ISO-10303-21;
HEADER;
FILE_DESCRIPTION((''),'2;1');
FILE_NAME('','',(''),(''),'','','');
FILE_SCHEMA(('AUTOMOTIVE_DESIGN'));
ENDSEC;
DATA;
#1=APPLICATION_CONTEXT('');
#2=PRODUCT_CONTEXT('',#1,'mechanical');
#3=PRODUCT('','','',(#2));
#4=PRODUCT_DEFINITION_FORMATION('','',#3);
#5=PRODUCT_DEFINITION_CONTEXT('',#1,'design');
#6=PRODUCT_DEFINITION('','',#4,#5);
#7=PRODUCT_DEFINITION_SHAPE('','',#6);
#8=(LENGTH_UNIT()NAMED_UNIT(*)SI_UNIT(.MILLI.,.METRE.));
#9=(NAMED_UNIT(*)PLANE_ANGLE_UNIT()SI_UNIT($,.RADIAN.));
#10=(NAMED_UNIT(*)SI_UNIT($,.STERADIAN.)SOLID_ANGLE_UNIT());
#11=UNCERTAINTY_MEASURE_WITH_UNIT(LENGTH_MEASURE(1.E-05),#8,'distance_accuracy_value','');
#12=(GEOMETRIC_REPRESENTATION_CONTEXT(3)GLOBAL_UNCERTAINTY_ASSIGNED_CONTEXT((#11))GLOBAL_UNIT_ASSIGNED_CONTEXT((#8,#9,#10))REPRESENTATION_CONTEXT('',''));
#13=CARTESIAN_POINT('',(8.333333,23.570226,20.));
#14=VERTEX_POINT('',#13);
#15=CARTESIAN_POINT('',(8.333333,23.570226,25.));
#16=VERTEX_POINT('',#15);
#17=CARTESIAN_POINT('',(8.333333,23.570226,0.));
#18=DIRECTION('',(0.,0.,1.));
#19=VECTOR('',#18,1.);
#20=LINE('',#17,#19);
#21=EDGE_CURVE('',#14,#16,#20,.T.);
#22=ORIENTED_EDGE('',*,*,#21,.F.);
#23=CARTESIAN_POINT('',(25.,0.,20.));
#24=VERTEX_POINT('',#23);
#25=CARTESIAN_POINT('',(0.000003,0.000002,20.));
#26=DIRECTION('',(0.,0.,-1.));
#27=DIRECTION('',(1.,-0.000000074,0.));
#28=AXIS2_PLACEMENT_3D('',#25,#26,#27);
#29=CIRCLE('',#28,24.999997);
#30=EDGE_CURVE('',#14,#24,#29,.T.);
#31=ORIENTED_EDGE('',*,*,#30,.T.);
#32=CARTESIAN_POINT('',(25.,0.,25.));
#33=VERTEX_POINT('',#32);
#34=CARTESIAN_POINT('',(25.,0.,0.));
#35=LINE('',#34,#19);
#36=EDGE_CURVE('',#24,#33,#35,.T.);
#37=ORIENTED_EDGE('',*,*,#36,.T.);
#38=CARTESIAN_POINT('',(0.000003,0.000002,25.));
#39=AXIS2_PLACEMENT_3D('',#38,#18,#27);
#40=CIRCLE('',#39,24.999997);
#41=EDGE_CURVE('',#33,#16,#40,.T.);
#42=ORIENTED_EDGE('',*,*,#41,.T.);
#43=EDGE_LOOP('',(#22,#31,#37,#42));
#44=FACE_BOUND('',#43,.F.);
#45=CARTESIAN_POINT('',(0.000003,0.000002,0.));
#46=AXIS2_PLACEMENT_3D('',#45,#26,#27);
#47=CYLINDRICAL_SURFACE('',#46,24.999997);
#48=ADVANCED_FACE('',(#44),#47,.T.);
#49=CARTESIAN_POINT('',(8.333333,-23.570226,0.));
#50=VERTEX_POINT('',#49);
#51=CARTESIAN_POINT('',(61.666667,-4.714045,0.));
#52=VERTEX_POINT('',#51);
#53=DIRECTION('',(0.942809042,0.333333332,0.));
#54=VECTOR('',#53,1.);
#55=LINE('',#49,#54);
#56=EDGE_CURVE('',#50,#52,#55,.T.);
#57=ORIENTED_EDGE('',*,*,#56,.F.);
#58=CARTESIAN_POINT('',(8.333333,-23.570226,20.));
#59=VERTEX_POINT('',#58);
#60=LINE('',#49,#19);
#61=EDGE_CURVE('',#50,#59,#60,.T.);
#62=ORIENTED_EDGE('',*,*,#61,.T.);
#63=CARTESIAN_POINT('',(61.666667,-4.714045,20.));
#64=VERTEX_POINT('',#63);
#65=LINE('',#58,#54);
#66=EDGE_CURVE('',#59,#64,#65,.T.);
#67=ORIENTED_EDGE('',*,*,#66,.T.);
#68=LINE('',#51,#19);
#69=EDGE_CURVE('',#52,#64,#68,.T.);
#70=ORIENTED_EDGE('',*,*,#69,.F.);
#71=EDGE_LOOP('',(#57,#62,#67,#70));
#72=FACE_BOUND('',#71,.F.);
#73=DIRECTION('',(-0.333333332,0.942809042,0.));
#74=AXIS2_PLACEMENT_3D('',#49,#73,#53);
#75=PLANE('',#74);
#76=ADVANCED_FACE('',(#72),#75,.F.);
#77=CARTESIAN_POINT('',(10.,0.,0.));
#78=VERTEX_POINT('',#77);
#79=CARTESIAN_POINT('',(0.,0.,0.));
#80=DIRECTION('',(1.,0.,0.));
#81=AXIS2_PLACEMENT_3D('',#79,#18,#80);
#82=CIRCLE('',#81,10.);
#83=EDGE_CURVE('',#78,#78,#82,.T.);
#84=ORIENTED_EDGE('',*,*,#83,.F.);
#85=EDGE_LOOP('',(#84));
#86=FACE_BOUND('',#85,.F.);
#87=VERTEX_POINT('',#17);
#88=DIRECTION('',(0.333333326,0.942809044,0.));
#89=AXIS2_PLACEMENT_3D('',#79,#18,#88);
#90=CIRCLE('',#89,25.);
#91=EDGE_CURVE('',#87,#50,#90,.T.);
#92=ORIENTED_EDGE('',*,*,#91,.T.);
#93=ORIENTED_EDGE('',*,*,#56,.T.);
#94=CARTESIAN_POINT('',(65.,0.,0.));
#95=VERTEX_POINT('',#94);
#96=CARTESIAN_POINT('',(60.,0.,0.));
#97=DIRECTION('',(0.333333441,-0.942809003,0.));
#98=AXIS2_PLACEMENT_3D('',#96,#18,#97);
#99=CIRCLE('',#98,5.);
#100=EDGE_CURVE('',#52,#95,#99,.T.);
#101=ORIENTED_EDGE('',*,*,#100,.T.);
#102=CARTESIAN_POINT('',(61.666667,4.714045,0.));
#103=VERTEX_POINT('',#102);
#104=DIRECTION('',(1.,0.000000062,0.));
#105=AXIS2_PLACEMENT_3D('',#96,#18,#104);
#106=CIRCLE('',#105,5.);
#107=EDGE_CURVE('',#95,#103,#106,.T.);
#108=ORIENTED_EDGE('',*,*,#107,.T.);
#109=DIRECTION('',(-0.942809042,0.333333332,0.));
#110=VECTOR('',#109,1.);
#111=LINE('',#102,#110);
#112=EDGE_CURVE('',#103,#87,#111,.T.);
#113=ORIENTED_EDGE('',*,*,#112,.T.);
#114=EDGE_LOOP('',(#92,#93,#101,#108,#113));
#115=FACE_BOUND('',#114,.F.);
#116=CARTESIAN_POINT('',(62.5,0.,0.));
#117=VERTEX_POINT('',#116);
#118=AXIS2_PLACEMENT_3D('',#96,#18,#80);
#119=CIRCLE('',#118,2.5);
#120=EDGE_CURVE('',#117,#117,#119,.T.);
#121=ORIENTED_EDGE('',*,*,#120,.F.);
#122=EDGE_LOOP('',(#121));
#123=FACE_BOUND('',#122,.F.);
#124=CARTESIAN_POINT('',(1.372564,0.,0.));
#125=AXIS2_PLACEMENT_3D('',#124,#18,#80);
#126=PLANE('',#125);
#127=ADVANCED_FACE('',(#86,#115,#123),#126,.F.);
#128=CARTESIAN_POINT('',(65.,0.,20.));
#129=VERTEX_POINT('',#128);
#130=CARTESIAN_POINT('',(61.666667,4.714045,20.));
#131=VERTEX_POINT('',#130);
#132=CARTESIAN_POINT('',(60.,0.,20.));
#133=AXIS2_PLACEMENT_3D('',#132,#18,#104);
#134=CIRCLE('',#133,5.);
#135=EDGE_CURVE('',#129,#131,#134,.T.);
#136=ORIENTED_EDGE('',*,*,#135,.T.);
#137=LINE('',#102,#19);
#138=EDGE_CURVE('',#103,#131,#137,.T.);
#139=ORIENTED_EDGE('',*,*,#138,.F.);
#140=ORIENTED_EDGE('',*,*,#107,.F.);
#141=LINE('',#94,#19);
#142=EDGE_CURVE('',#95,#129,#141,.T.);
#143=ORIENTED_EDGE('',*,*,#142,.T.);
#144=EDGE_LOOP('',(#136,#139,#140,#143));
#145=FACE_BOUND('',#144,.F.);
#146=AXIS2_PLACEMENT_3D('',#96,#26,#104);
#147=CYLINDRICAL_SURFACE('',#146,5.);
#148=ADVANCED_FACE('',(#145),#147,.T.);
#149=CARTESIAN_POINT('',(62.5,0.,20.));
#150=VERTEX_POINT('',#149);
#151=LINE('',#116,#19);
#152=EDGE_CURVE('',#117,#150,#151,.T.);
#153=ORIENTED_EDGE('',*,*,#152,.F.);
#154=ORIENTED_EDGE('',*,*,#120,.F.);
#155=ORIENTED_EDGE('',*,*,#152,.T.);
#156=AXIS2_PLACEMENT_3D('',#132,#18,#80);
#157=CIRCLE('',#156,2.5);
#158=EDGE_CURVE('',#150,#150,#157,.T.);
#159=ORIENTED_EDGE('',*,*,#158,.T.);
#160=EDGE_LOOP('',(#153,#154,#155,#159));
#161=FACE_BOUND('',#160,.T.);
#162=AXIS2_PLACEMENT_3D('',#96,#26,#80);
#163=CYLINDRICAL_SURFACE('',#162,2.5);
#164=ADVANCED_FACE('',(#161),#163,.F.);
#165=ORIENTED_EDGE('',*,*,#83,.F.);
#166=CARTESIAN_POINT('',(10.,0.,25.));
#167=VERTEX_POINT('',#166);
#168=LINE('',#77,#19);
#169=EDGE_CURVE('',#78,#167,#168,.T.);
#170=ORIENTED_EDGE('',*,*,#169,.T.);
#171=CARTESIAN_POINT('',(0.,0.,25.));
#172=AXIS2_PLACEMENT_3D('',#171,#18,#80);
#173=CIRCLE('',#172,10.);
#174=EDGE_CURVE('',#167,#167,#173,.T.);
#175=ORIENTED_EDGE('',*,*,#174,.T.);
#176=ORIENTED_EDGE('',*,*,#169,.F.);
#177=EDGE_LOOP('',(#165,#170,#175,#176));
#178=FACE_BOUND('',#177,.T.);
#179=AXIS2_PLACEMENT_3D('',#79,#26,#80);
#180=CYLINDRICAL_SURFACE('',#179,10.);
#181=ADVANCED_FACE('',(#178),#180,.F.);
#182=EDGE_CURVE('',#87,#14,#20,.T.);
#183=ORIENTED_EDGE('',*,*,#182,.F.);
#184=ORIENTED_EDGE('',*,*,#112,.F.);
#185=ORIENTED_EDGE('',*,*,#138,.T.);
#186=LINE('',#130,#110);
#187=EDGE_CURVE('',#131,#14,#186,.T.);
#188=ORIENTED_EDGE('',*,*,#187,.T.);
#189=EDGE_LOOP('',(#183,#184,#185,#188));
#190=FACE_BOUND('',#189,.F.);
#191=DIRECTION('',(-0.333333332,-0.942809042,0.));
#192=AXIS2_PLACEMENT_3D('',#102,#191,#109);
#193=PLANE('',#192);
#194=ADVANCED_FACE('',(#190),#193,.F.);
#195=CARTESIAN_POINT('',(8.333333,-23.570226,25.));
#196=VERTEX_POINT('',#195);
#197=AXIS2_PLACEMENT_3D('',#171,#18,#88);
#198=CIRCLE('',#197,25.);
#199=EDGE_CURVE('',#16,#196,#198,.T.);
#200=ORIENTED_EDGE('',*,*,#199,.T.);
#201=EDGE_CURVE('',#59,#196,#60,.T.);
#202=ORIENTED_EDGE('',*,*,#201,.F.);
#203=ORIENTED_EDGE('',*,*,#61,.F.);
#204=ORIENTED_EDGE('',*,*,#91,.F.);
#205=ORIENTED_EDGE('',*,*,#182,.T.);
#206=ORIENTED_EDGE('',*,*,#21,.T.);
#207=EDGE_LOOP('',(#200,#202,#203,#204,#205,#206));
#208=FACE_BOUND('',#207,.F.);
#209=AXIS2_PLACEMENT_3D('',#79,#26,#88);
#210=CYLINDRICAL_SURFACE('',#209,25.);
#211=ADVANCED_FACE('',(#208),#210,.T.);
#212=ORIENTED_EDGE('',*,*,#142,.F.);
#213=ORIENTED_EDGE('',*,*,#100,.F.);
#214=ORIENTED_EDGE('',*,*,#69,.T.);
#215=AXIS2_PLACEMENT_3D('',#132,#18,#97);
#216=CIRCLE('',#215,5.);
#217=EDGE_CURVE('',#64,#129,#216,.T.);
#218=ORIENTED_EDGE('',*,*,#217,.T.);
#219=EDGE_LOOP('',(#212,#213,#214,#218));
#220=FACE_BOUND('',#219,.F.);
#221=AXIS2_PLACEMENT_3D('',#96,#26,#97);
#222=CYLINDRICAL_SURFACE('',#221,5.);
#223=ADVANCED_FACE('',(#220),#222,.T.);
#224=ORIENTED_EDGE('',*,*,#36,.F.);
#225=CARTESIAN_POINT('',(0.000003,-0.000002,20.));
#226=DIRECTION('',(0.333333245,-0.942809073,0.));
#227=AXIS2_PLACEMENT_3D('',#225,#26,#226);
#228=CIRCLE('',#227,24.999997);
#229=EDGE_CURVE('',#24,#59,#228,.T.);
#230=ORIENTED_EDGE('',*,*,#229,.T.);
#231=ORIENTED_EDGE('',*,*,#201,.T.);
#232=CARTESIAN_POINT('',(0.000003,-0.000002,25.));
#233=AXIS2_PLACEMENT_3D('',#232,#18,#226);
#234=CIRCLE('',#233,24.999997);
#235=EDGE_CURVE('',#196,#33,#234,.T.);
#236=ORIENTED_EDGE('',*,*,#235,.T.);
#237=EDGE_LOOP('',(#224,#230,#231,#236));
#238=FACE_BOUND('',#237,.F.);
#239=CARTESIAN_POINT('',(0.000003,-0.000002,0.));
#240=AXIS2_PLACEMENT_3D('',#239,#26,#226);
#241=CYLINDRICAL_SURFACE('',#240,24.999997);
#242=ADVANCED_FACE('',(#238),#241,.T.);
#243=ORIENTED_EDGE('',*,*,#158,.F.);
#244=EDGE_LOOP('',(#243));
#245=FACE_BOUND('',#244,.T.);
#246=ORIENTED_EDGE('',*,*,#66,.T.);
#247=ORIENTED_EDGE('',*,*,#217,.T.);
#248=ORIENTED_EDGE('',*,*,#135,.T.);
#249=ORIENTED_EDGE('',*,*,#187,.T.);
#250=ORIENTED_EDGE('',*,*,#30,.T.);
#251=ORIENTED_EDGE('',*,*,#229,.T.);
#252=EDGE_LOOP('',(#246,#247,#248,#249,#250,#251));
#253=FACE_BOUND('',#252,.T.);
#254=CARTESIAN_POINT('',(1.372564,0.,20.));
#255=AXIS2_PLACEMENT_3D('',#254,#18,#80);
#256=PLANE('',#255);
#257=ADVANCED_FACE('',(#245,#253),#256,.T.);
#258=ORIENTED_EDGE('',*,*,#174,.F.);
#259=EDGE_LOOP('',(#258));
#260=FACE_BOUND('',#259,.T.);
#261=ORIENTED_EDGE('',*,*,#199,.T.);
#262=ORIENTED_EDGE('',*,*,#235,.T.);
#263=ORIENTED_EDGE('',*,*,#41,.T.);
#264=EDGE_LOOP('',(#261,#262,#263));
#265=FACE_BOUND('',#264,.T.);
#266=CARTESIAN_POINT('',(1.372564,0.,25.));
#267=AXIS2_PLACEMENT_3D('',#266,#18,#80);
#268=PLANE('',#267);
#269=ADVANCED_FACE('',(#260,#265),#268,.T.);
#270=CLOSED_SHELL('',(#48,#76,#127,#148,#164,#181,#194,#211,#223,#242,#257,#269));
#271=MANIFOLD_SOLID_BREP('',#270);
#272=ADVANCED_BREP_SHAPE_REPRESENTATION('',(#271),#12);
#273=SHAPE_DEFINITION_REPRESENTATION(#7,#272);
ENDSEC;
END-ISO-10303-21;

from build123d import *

# Parameters (mm, degrees)
F0_R     = 10
F0_R_2   = 2.5
F1_DEPTH = 20
F2_DEPTH = 25


with BuildPart() as f1:
    # F0 (on Top) → F1 (new body)
    with BuildSketch(Plane.XY):
        with BuildLine():
            ThreePointArc((8.333333, -23.570226), (20.412415, -14.433757), (25, 0))
            ThreePointArc((25, 0), (20.412415, 14.433757), (8.333333, 23.570226))
            ThreePointArc((8.333333, 23.570226), (-25, 0), (8.333333, -23.570226))
        make_face()
        Circle(F0_R, mode=Mode.SUBTRACT)
        with BuildLine():
            ThreePointArc((8.333333, 23.570226), (20.412415, 14.433757), (25, 0))
            ThreePointArc((25, 0), (20.412415, -14.433757), (8.333333, -23.570226))
            Line((8.333333, -23.570226), (61.666667, -4.714045))
            ThreePointArc((61.666667, -4.714045), (55, 0), (61.666667, 4.714045))
            Line((61.666667, 4.714045), (8.333333, 23.570226))
        make_face()
        with BuildLine():
            ThreePointArc((65, 0), (64.082483, 2.886751), (61.666667, 4.714045))
            ThreePointArc((61.666667, 4.714045), (55, 0), (61.666667, -4.714045))
            ThreePointArc((61.666667, -4.714045), (64.082483, -2.886751), (65, 0))
        make_face()
        with Locations((60, 0)):
            Circle(F0_R_2, mode=Mode.SUBTRACT)
    extrude(amount=F1_DEPTH)

    # F0 (on Top) → F2 (join)
    with BuildSketch(Plane.XY):
        with BuildLine():
            ThreePointArc((8.333333, -23.570226), (20.412415, -14.433757), (25, 0))
            ThreePointArc((25, 0), (20.412415, 14.433757), (8.333333, 23.570226))
            ThreePointArc((8.333333, 23.570226), (-25, 0), (8.333333, -23.570226))
        make_face()
        Circle(F0_R, mode=Mode.SUBTRACT)
    extrude(amount=F2_DEPTH)


solid = f1.part
